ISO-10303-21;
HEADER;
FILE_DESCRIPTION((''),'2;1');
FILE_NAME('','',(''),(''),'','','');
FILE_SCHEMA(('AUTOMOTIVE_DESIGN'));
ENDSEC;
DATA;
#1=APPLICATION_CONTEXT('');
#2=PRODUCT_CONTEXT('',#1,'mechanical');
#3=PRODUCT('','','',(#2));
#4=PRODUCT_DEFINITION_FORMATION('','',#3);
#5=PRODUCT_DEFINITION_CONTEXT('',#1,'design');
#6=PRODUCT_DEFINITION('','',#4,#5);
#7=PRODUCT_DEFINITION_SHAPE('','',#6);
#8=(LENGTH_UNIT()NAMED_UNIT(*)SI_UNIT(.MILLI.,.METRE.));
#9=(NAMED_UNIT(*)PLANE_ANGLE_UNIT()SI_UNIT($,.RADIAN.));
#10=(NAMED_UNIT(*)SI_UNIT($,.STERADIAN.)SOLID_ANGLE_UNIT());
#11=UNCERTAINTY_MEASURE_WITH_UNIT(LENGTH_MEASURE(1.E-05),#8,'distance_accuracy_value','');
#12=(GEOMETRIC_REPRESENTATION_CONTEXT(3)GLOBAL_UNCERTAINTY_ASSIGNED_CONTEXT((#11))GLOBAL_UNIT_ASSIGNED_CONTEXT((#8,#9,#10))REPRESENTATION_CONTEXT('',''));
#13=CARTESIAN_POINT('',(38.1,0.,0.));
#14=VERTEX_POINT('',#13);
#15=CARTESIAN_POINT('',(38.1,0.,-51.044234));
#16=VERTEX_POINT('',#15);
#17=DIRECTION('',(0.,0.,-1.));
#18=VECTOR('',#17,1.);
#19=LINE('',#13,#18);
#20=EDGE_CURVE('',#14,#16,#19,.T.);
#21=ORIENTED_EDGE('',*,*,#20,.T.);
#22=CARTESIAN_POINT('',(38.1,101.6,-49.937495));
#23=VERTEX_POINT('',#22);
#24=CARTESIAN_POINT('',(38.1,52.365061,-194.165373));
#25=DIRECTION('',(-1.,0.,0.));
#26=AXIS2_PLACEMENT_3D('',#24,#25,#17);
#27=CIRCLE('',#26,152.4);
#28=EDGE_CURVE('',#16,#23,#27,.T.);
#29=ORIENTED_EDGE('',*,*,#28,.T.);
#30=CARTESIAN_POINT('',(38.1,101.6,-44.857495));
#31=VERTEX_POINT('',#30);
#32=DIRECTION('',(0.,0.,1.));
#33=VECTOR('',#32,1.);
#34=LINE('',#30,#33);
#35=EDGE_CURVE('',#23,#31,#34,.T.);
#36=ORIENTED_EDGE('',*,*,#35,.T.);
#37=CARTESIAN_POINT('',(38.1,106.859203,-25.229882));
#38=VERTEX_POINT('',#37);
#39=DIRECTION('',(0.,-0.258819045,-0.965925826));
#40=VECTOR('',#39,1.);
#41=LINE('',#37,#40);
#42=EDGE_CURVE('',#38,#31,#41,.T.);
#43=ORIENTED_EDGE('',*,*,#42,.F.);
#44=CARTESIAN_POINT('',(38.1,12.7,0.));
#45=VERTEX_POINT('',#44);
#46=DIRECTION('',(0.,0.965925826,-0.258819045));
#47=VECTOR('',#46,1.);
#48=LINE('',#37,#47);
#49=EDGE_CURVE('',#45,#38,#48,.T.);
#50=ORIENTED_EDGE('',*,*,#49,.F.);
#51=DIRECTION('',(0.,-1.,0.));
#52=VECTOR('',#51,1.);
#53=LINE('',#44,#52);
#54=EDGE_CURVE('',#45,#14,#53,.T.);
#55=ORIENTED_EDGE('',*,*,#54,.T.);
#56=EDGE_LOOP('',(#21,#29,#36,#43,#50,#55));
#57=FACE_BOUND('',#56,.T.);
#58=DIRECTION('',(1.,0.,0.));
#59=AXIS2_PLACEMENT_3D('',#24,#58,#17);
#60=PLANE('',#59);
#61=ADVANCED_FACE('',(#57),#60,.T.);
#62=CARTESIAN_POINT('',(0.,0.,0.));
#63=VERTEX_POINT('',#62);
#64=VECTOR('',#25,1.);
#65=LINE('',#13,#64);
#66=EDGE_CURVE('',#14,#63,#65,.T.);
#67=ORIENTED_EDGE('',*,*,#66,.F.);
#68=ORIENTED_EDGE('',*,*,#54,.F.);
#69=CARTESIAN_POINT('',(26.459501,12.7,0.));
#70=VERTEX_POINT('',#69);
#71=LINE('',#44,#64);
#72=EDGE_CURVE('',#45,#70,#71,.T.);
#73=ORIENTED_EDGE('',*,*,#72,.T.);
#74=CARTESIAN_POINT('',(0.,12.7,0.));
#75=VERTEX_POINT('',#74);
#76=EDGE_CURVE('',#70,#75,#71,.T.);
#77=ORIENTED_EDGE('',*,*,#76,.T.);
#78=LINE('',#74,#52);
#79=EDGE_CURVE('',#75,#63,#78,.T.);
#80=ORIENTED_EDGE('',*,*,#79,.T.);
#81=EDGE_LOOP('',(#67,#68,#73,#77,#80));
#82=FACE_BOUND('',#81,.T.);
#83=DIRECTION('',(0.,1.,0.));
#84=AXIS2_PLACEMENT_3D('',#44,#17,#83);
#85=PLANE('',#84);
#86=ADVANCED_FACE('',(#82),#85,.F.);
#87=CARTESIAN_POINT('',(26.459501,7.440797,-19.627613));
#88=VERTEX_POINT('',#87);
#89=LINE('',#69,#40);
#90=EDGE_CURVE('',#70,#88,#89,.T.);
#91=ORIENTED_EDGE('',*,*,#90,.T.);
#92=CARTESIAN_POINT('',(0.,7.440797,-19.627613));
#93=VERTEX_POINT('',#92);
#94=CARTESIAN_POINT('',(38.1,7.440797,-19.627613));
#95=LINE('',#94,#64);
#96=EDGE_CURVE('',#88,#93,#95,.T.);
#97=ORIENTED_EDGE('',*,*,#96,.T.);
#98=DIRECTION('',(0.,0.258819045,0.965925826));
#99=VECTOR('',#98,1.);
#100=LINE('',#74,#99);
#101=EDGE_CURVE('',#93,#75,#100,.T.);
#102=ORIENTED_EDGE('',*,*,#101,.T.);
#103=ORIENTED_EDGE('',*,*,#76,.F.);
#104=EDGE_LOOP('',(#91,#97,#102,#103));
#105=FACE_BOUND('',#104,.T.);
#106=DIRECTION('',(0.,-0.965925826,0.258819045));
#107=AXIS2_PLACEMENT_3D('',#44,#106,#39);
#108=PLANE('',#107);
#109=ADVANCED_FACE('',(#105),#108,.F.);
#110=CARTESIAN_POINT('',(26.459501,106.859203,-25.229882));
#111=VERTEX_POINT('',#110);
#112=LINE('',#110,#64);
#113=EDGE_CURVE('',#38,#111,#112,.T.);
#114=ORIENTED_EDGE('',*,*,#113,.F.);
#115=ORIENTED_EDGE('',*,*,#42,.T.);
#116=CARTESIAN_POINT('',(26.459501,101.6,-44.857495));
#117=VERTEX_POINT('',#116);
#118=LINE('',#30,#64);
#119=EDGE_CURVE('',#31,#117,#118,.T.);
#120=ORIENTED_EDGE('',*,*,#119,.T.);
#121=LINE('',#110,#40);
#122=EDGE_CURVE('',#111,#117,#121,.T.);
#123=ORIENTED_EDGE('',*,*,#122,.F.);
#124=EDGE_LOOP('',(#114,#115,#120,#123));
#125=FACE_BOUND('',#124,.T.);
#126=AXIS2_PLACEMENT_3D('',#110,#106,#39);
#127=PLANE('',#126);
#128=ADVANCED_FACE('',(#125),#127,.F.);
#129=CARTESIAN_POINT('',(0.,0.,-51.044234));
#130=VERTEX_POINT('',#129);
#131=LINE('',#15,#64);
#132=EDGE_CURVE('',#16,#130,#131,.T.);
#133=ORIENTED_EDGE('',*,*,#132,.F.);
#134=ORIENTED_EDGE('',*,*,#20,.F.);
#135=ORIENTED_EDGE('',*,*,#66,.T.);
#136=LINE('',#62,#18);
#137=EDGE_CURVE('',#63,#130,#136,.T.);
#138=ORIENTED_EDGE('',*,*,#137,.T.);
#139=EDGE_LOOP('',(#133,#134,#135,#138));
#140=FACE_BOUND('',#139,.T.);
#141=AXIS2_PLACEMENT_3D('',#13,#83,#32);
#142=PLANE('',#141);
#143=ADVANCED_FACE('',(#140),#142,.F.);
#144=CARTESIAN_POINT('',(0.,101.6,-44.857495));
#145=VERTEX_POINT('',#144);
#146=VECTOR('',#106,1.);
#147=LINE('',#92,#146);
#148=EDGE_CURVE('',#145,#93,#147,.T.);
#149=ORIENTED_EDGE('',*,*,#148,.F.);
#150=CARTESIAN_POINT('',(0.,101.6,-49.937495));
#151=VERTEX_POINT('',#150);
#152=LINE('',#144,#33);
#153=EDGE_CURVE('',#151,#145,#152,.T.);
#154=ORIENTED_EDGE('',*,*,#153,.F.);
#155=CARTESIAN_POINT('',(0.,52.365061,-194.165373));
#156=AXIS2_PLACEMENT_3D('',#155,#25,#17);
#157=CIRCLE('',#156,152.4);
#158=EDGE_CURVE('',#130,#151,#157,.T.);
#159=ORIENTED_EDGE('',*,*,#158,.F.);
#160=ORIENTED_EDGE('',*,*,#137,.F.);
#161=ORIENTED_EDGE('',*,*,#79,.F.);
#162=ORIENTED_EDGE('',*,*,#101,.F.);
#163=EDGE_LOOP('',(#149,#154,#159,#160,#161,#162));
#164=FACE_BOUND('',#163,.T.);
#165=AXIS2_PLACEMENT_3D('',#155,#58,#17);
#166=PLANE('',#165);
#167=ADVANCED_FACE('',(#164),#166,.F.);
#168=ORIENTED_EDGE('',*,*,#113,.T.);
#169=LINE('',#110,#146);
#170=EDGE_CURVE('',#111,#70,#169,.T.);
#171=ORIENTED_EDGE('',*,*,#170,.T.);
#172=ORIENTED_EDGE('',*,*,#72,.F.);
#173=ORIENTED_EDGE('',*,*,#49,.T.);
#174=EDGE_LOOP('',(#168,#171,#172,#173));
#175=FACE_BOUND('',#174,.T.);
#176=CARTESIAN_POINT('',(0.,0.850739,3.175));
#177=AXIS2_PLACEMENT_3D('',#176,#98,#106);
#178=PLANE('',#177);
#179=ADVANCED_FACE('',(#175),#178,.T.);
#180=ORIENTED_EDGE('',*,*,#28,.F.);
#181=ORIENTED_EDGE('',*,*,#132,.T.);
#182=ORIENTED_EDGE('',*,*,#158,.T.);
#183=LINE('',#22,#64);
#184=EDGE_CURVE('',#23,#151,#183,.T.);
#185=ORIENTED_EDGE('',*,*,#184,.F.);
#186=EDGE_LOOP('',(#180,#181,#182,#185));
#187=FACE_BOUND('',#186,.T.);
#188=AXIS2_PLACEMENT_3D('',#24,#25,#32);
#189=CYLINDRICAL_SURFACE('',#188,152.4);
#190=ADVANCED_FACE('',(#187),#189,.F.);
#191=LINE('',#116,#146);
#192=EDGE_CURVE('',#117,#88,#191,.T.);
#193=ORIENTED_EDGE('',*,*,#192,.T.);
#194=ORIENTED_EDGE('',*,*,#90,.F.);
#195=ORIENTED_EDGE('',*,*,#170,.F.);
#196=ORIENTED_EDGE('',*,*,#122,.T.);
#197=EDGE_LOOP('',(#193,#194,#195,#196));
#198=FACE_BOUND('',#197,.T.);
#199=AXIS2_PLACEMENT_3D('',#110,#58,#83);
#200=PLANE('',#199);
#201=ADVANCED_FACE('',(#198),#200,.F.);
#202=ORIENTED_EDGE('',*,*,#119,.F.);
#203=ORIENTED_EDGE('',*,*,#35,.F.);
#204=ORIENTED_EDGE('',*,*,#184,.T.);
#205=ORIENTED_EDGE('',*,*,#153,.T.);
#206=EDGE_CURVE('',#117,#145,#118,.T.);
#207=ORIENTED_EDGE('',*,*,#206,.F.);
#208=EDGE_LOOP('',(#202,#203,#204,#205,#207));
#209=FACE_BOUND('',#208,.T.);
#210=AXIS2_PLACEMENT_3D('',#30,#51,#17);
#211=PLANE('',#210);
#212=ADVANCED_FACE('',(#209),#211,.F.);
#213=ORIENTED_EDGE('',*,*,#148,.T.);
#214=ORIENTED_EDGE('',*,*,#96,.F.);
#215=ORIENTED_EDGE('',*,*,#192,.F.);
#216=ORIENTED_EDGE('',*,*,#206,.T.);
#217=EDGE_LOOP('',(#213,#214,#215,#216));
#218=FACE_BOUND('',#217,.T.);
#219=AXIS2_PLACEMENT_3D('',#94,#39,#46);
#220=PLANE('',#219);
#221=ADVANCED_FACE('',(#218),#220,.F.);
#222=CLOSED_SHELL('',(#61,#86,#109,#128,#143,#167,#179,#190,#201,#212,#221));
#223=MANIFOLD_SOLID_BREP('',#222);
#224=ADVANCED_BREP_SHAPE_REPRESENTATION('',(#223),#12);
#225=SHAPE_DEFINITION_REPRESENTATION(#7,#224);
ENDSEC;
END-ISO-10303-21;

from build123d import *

# Parameters (mm, degrees)
BOSS_EXTRUDE1_DEPTH = 38.1
SKETCH2_W           = 11.640498825
SKETCH2_H           = 97.480780029
BOSS_EXTRUDE2_DEPTH = 20.32


with BuildPart() as part:
    # Sketch1 → Boss-Extrude1 (new body)
    with BuildSketch(Plane(origin=(0, 0, 0), x_dir=(0, 0, -1), z_dir=(1, 0, 0))):
        with BuildLine():
            Line((0, 0), (51.044233981, 0))
            ThreePointArc((51.044233981, 0), (41.774414057, 50.705050847), (49.937495193, 101.6))
            Line((49.937495193, 101.6), (44.857495193, 101.6))
            Line((44.857495193, 101.6), (19.62761279, 7.440797004))
            Line((19.62761279, 7.440797004), (0, 12.7))
            Line((0, 12.7), (0, 0))
        make_face()
    extrude(amount=BOSS_EXTRUDE1_DEPTH)

    # Sketch2 → Boss-Extrude2 (add)
    with BuildSketch(Plane(origin=(0, -4.408464311, -16.45261279), x_dir=(1, 0, 0), z_dir=(0, 0.258819045, 0.965925826))):
        with Locations((32.279750588, 61.007648009)):
            Rectangle(SKETCH2_W, SKETCH2_H)
    extrude(amount=BOSS_EXTRUDE2_DEPTH)


solid = part.part
